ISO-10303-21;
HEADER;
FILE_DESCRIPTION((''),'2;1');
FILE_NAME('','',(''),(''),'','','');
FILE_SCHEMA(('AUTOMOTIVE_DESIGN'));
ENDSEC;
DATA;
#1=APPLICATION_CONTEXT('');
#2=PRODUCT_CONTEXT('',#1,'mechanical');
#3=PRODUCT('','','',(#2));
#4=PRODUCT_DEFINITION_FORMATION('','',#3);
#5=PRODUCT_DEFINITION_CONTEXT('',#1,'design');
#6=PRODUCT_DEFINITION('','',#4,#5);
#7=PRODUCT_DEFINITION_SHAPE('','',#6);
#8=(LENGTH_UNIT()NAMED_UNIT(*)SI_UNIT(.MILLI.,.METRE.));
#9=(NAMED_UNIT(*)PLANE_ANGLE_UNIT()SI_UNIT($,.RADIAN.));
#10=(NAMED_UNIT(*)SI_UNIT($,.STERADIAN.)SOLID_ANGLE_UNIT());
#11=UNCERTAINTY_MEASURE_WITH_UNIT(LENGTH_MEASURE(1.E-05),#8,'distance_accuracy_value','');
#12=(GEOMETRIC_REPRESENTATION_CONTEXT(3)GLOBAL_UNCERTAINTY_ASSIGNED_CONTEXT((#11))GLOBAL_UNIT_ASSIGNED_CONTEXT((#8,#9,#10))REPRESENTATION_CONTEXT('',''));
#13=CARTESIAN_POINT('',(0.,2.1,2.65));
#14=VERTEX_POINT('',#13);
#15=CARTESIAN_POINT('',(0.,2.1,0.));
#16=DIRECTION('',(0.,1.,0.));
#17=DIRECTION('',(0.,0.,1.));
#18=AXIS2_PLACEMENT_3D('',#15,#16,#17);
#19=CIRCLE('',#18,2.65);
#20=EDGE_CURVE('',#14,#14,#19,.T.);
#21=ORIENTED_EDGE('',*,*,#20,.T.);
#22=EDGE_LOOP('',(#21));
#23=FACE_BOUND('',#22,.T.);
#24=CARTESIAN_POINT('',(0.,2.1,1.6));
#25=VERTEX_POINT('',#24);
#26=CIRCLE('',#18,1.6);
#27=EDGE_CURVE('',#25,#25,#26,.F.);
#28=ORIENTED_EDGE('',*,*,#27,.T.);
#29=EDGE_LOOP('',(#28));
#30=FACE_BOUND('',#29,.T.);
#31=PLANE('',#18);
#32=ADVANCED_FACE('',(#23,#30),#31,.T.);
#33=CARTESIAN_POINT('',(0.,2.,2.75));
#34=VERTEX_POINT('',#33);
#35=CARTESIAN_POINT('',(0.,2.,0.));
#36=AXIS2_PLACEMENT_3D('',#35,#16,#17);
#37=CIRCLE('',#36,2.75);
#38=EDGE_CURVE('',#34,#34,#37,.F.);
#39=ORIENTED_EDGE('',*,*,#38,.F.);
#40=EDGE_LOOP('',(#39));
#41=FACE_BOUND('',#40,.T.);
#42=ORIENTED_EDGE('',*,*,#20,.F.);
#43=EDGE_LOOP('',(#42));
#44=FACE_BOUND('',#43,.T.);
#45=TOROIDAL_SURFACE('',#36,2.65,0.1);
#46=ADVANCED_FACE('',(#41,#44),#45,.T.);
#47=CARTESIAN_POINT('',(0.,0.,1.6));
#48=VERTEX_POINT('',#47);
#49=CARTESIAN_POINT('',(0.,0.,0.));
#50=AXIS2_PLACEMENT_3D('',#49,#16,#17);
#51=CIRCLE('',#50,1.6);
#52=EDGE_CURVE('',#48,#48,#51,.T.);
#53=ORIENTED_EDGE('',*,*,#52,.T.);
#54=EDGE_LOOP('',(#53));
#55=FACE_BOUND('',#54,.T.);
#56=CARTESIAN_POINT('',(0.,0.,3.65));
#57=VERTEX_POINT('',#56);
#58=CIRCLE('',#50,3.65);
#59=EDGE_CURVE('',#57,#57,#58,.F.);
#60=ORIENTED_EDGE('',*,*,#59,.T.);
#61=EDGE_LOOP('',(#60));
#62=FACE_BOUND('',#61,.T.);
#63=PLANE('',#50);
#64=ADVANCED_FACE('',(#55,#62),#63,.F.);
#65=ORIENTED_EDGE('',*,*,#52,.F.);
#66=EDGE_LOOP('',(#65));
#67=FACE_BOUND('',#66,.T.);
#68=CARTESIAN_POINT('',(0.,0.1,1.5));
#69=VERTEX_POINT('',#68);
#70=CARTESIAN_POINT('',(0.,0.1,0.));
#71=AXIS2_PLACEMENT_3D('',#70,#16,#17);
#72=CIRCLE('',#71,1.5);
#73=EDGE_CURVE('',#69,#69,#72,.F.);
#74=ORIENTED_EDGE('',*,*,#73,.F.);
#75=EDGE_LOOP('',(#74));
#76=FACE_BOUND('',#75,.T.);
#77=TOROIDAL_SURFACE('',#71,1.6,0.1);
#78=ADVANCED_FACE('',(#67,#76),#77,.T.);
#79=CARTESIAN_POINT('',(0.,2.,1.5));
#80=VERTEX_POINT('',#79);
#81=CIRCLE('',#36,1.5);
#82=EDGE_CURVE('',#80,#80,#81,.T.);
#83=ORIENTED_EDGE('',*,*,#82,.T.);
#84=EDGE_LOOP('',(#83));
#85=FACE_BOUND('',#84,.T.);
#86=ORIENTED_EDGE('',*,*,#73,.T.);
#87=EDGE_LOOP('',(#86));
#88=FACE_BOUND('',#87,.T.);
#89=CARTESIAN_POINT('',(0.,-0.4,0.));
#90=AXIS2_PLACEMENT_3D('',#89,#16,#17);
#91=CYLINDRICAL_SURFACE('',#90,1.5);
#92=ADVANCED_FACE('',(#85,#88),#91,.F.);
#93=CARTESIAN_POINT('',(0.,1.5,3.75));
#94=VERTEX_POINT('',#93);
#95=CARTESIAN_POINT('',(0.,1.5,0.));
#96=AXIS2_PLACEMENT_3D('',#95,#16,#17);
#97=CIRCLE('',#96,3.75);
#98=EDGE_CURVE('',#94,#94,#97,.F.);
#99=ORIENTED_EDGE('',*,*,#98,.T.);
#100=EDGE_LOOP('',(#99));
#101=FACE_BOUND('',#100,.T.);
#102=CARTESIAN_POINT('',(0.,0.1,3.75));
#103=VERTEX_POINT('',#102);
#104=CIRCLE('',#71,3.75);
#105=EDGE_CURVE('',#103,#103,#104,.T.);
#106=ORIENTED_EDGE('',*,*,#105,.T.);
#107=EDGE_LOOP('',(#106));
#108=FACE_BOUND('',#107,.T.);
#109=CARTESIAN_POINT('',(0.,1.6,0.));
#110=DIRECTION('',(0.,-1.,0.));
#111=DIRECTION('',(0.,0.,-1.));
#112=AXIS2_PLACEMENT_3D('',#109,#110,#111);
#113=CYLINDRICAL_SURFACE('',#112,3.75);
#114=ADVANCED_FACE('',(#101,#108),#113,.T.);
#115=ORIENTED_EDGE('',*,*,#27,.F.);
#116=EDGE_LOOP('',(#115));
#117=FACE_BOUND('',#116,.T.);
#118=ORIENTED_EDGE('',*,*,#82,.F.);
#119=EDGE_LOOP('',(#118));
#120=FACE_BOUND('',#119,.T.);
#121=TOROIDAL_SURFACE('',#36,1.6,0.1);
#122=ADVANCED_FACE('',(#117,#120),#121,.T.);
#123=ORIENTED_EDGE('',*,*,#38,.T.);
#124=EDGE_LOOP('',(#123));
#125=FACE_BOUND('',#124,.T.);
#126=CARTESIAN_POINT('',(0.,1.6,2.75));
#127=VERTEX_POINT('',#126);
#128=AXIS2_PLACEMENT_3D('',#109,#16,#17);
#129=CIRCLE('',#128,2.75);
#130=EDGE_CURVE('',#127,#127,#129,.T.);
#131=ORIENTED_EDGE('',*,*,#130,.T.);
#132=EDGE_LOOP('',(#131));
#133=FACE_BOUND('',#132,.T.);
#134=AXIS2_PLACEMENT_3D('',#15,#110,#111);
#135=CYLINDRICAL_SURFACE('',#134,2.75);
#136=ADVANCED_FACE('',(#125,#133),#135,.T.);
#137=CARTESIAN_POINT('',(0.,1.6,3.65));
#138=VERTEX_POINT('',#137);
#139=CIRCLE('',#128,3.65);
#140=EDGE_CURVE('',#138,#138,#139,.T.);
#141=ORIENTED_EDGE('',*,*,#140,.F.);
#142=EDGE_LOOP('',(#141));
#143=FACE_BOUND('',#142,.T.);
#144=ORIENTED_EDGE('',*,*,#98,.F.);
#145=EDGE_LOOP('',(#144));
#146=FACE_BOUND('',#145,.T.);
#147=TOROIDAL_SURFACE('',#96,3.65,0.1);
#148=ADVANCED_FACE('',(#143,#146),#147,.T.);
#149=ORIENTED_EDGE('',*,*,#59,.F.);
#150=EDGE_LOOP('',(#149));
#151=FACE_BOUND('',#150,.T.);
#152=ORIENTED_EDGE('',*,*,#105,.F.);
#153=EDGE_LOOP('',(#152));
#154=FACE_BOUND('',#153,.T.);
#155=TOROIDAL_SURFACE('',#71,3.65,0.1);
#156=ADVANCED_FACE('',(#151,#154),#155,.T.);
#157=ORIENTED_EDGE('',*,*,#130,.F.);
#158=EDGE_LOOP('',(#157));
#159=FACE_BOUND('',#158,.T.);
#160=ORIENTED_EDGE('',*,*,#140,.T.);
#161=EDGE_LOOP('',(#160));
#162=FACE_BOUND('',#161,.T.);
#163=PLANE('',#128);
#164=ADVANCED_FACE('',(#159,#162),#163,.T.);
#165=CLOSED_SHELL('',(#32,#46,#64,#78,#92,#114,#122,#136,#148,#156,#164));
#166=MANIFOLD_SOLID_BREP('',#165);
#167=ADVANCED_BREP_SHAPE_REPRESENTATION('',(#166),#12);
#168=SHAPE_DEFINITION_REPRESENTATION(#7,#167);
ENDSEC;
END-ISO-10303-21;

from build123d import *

# Parameters (mm, degrees)
SKETCH_1_R          = 3.75
EXTRUDE_2_DEPTH     = 1.6
SKETCH_2_R          = 1.5
CUT_EXTRUDE_1_DEPTH = 2
SKETCH_3_R          = 2.75
EXTRUDE_3_DEPTH     = 0.5
SKETCH_4_R          = 1.5
CUT_EXTRUDE_2_DEPTH = 3
FILLET_1_R          = 0.1


with BuildPart() as part:
    # 草图1 → 凸台-拉伸2 (new body)
    with BuildSketch(Plane(origin=(0, 0, 0), x_dir=(1, 0, 0), z_dir=(0, 1, 0))):
        with Locations(Location((0, 0, 0), (0, 0, 270))):
            Circle(SKETCH_1_R)
    extrude(amount=EXTRUDE_2_DEPTH)

    # 草图2 → 切除-拉伸1 (cut)
    with BuildSketch(Plane(origin=(0, 1.6, 0), x_dir=(1, 0, 0), z_dir=(0, 1, 0))):
        with Locations(Location((0, 0, 0), (0, 0, 270))):
            Circle(SKETCH_2_R)
    extrude(amount=-CUT_EXTRUDE_1_DEPTH, mode=Mode.SUBTRACT)

    # 草图3 → 凸台-拉伸3 (add)
    with BuildSketch(Plane(origin=(0, 1.6, 0), x_dir=(1, 0, 0), z_dir=(0, 1, 0))):
        with Locations(Location((0, 0, 0), (0, 0, 270))):
            Circle(SKETCH_3_R)
    extrude(amount=EXTRUDE_3_DEPTH)

    # 草图4 → 切除-拉伸2 (cut)
    with BuildSketch(Plane(origin=(0, 2.1, 0), x_dir=(1, 0, 0), z_dir=(0, 1, 0))):
        with Locations(Location((0, 0, 0), (0, 0, 270))):
            Circle(SKETCH_4_R)
    extrude(amount=-CUT_EXTRUDE_2_DEPTH, mode=Mode.SUBTRACT)

    # 圆角1
    fillet_1_edges = [part.edges().sort_by_distance(p)[0] for p in [
        (0, 2.1, -2.75),
        (0, 2.1, -1.5),
        (0, 0, -3.75),
        (0, 1.6, -3.75),
        (0, 0, -1.5),
    ]]
    fillet(fillet_1_edges, radius=FILLET_1_R)


solid = part.part
